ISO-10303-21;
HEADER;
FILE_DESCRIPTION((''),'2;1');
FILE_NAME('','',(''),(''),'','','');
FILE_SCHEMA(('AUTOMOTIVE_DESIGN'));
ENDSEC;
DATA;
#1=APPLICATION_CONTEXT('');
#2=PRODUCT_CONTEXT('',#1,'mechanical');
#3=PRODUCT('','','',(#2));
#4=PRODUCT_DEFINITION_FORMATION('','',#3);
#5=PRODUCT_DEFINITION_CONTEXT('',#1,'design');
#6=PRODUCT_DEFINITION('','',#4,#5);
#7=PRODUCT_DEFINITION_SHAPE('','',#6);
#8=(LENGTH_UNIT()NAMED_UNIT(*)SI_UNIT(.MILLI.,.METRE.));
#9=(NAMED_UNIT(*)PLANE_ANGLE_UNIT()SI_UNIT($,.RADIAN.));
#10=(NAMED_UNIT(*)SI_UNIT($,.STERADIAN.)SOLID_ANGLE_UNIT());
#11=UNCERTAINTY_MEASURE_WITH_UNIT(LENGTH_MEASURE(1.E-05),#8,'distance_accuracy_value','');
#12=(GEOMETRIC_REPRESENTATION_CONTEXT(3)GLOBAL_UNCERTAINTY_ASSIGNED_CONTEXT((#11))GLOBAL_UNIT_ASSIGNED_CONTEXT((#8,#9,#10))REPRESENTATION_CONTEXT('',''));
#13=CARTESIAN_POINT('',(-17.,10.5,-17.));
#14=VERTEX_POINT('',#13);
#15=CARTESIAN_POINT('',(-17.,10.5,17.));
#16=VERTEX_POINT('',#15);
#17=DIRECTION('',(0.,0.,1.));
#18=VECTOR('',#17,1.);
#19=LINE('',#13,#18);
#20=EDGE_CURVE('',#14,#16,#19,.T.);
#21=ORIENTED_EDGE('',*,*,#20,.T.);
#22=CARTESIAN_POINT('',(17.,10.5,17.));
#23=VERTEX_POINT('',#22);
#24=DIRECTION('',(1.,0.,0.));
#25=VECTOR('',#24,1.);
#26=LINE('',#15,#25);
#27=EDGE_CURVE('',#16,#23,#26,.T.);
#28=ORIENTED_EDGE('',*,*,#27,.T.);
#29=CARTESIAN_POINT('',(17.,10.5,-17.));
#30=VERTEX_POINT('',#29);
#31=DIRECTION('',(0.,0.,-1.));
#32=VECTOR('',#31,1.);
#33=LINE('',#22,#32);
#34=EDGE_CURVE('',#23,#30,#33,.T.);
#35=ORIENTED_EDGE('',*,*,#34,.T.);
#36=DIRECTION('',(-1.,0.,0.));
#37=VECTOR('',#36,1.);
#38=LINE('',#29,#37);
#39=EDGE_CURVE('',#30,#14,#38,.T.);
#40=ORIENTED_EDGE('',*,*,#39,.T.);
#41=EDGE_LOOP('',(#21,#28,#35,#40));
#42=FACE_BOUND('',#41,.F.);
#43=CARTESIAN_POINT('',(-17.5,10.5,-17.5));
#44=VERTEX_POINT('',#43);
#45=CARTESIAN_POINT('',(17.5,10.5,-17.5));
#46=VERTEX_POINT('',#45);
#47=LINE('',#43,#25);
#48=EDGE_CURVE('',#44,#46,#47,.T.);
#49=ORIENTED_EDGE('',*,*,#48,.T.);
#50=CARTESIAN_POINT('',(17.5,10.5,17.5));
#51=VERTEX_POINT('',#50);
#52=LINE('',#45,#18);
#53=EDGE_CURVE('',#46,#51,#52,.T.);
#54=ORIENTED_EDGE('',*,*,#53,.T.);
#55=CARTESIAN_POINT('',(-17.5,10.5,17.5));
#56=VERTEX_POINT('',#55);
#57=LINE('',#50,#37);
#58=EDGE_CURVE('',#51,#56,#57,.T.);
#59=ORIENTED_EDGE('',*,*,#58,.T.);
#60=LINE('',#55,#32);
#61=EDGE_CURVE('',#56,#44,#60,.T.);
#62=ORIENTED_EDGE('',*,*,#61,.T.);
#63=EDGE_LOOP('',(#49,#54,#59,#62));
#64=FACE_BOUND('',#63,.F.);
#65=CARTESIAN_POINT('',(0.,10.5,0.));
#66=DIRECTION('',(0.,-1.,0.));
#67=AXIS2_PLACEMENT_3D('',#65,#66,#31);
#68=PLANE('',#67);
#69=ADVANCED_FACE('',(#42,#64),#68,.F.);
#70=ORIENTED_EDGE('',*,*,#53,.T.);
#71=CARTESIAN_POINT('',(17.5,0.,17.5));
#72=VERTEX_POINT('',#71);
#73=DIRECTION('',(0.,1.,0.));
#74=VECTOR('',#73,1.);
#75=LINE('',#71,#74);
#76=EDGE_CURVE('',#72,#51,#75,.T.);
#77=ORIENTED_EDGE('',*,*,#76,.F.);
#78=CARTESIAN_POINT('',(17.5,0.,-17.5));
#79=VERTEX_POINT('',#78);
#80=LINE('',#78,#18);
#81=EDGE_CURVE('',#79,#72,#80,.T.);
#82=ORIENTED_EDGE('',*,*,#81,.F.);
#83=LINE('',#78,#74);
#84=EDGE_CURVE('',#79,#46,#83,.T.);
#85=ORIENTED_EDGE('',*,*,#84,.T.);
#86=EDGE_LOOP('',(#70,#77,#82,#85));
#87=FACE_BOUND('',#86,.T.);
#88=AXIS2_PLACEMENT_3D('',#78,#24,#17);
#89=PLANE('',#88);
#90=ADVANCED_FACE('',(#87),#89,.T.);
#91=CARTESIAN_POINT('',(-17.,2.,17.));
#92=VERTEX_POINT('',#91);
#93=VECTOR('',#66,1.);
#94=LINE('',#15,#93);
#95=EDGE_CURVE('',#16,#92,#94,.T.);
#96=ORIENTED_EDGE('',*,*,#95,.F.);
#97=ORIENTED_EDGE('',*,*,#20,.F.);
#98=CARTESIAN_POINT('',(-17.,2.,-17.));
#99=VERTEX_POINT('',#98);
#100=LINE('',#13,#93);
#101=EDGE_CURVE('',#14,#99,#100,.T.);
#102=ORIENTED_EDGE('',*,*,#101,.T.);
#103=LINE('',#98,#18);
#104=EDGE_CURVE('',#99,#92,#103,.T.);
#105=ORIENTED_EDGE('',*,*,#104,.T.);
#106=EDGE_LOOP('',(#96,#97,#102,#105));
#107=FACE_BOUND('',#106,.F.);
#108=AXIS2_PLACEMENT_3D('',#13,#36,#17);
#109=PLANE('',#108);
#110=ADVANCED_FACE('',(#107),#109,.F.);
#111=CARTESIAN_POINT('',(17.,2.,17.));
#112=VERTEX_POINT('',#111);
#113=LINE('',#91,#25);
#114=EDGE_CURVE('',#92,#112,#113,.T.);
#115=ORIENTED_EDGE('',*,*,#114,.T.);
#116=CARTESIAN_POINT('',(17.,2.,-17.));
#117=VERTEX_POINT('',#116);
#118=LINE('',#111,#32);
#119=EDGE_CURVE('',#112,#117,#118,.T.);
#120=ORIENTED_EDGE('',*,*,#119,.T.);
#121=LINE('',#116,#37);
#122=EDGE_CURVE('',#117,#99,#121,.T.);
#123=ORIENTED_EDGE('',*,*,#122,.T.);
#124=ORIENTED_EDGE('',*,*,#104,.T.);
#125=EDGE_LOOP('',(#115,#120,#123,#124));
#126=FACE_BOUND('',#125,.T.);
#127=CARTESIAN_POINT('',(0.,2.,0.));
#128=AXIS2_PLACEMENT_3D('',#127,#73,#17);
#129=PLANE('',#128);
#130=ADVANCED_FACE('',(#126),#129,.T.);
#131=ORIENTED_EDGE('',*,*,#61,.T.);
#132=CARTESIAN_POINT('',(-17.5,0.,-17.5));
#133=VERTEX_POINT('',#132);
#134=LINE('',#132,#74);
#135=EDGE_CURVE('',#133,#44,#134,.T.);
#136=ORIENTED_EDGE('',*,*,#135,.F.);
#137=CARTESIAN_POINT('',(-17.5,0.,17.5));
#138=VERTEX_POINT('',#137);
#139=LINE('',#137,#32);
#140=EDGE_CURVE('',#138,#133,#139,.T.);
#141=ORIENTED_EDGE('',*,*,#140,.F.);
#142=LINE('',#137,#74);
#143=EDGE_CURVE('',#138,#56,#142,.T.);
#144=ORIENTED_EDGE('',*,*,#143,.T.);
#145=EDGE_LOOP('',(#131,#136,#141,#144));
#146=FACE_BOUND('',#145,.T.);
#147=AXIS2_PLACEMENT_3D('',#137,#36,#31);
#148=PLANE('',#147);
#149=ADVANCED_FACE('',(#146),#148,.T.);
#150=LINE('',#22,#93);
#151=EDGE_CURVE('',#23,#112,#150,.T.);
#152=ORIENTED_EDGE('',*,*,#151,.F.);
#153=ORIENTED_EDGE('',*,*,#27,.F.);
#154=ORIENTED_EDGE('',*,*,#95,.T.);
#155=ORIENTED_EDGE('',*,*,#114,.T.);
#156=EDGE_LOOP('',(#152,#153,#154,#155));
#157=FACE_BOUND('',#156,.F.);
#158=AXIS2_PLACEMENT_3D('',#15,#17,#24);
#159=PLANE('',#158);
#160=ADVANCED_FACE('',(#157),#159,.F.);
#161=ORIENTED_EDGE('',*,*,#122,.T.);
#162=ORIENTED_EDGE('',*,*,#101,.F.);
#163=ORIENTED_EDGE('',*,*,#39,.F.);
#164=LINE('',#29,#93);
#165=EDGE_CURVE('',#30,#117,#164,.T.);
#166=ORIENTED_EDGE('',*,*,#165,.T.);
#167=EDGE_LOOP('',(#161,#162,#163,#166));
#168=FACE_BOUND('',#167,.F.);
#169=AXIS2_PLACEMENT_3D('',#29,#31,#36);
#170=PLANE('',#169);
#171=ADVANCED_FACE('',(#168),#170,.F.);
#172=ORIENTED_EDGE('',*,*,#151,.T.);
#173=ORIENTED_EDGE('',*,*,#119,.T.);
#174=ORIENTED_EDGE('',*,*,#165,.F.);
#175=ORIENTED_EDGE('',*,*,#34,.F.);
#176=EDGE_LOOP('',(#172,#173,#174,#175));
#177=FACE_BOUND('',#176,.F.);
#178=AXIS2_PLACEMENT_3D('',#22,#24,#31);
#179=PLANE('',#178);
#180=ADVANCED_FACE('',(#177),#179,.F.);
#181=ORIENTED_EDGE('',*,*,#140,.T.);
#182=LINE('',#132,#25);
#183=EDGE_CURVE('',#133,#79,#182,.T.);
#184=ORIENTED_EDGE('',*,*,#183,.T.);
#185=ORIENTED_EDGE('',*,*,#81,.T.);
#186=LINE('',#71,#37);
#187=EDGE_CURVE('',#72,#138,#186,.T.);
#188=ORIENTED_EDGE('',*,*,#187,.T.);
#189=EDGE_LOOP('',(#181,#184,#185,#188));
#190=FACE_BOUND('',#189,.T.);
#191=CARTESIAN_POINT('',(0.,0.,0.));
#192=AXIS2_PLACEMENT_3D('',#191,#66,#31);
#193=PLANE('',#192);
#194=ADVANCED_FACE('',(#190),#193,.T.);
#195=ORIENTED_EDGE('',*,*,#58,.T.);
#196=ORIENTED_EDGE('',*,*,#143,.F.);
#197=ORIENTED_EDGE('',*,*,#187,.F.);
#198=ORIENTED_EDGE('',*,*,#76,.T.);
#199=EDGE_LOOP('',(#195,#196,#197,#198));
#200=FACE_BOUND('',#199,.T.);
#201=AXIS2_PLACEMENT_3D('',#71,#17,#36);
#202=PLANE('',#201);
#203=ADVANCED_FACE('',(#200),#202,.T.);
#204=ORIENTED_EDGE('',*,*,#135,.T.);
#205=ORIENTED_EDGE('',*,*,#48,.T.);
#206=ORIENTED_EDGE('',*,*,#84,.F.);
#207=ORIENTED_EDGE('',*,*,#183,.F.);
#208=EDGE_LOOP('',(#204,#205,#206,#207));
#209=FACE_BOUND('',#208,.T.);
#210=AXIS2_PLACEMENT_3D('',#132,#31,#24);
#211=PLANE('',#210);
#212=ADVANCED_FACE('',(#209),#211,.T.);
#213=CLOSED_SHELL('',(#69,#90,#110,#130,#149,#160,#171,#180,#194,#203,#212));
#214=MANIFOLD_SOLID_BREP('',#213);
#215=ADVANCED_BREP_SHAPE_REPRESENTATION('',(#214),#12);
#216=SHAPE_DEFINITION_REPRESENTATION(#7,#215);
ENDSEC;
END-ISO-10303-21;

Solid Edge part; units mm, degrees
sketch "Sketch1" plane through (0, 0, 0) normal (0, -1, 0) x (1, 0, 0)
  line L0 (-17.5, -17.5) -> (17.5, -17.5)
  line L1 (17.5, -17.5) -> (17.5, 17.5)
  line L2 (17.5, 17.5) -> (-17.5, 17.5)
  line L3 (-17.5, 17.5) -> (-17.5, -17.5)
extrude "Protrusion1" add sketch "Sketch1" against normal blind 10.5
sketch "Sketch2" plane through (0, 10.5, 0) normal (0, 1, 0) x (-1, 0, 0)
  line L0 (-17, -17) -> (17, -17)
  line L1 (17, -17) -> (17, 17)
  line L2 (17, 17) -> (-17, 17)
  line L3 (-17, 17) -> (-17, -17)
extrude "ExtrudedCutout_1" cut sketch "Sketch2" against normal blind 8.5
